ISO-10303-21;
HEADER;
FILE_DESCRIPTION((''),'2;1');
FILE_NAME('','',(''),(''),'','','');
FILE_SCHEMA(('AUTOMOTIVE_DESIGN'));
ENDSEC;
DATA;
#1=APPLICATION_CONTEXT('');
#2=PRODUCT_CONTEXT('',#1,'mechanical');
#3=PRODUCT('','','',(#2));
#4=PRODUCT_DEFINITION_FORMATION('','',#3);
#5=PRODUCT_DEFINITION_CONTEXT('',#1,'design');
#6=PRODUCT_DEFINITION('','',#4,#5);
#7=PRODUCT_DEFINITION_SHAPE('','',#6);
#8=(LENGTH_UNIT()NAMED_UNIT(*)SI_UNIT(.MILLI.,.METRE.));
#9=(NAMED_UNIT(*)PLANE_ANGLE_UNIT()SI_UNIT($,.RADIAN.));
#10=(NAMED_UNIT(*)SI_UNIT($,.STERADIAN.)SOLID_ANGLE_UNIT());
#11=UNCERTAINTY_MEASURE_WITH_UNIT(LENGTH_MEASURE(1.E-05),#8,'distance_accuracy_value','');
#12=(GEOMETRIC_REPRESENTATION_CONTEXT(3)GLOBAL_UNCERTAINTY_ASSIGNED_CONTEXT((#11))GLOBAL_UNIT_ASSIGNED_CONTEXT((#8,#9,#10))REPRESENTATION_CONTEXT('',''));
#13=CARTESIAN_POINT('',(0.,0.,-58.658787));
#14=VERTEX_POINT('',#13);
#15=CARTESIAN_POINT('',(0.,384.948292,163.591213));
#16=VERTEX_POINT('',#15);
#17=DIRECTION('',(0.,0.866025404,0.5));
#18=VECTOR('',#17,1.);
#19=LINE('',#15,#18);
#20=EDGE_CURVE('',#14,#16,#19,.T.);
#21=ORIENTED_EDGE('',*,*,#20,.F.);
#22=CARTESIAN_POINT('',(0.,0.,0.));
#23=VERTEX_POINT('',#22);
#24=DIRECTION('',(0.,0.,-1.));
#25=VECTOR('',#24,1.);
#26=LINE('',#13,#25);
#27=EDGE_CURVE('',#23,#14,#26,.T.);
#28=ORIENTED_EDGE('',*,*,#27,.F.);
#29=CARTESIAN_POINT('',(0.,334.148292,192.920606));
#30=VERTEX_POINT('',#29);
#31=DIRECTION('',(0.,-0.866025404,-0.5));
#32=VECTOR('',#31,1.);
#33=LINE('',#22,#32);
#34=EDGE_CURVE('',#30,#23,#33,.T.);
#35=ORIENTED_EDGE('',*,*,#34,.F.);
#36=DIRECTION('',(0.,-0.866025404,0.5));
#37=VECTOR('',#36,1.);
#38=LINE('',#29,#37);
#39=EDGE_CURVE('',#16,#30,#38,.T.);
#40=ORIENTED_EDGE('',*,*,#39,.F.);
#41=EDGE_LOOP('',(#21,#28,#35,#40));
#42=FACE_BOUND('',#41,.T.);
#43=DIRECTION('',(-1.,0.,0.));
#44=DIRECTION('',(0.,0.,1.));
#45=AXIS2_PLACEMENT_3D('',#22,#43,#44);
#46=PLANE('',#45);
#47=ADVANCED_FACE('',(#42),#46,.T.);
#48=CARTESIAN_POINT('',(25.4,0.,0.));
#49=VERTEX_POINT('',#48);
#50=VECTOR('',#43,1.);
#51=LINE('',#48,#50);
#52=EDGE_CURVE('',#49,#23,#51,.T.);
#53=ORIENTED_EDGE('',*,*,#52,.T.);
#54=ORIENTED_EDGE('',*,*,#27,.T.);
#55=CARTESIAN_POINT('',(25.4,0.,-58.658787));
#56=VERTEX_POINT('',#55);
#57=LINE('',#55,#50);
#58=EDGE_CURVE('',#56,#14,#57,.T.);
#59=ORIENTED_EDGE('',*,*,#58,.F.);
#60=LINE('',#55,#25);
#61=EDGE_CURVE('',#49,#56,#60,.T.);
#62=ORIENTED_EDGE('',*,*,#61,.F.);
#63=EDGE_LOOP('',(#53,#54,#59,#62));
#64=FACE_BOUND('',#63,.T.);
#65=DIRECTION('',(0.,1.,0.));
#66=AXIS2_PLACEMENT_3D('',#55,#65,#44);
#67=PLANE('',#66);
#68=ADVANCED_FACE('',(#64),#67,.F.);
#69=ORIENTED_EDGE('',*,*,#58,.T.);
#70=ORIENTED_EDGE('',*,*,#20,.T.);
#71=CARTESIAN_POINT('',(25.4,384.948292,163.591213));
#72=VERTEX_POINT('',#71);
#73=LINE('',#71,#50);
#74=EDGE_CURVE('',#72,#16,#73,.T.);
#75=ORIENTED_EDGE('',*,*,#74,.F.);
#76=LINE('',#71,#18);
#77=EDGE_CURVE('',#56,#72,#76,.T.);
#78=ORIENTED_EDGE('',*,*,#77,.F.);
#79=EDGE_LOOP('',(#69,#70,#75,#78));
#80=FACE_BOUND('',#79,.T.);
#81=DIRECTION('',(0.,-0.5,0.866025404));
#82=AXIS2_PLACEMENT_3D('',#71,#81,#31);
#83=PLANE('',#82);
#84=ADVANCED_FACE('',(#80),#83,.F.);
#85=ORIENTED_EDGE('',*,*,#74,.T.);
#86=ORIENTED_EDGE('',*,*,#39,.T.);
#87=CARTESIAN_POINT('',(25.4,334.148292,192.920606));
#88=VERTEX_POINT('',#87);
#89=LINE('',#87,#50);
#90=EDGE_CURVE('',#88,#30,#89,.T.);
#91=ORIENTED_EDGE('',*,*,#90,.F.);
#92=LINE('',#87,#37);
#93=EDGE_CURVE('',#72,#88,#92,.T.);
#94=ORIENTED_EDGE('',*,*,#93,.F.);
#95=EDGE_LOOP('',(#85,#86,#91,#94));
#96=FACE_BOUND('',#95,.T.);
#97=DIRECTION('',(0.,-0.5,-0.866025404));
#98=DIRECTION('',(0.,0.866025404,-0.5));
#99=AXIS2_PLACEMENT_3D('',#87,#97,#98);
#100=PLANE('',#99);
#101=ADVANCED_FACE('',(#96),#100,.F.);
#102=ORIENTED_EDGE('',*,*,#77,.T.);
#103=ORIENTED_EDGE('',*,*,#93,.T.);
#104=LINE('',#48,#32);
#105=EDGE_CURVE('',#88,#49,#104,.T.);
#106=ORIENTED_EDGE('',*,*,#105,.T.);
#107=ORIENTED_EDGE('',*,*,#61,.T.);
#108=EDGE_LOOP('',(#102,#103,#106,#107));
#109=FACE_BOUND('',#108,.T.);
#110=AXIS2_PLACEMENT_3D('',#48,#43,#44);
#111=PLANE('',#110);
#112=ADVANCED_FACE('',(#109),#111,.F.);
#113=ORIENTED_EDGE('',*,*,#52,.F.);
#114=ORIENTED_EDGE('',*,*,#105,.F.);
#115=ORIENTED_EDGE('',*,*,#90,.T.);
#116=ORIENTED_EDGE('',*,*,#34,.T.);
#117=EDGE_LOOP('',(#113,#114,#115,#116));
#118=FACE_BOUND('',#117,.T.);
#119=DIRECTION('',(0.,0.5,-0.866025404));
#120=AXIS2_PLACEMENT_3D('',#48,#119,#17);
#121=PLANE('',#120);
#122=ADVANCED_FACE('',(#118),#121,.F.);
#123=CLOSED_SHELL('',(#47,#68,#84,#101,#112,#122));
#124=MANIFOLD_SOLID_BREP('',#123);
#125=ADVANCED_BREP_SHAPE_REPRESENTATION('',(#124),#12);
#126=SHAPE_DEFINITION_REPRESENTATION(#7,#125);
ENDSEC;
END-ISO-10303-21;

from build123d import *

# Parameters (mm, degrees)
BOSS_EXTRUDE1_DEPTH = 25.4


with BuildPart() as part:
    # Sketch2 → Boss-Extrude1 (new body)
    with BuildSketch(Plane(origin=(0, 0, 0), x_dir=(0, 0, -1), z_dir=(1, 0, 0))):
        Polygon((0, 0), (-192.920606325, 334.148291982), (-163.59121265, 384.948291982), (58.65878735, 0), align=None)
    extrude(amount=BOSS_EXTRUDE1_DEPTH)


solid = part.part
